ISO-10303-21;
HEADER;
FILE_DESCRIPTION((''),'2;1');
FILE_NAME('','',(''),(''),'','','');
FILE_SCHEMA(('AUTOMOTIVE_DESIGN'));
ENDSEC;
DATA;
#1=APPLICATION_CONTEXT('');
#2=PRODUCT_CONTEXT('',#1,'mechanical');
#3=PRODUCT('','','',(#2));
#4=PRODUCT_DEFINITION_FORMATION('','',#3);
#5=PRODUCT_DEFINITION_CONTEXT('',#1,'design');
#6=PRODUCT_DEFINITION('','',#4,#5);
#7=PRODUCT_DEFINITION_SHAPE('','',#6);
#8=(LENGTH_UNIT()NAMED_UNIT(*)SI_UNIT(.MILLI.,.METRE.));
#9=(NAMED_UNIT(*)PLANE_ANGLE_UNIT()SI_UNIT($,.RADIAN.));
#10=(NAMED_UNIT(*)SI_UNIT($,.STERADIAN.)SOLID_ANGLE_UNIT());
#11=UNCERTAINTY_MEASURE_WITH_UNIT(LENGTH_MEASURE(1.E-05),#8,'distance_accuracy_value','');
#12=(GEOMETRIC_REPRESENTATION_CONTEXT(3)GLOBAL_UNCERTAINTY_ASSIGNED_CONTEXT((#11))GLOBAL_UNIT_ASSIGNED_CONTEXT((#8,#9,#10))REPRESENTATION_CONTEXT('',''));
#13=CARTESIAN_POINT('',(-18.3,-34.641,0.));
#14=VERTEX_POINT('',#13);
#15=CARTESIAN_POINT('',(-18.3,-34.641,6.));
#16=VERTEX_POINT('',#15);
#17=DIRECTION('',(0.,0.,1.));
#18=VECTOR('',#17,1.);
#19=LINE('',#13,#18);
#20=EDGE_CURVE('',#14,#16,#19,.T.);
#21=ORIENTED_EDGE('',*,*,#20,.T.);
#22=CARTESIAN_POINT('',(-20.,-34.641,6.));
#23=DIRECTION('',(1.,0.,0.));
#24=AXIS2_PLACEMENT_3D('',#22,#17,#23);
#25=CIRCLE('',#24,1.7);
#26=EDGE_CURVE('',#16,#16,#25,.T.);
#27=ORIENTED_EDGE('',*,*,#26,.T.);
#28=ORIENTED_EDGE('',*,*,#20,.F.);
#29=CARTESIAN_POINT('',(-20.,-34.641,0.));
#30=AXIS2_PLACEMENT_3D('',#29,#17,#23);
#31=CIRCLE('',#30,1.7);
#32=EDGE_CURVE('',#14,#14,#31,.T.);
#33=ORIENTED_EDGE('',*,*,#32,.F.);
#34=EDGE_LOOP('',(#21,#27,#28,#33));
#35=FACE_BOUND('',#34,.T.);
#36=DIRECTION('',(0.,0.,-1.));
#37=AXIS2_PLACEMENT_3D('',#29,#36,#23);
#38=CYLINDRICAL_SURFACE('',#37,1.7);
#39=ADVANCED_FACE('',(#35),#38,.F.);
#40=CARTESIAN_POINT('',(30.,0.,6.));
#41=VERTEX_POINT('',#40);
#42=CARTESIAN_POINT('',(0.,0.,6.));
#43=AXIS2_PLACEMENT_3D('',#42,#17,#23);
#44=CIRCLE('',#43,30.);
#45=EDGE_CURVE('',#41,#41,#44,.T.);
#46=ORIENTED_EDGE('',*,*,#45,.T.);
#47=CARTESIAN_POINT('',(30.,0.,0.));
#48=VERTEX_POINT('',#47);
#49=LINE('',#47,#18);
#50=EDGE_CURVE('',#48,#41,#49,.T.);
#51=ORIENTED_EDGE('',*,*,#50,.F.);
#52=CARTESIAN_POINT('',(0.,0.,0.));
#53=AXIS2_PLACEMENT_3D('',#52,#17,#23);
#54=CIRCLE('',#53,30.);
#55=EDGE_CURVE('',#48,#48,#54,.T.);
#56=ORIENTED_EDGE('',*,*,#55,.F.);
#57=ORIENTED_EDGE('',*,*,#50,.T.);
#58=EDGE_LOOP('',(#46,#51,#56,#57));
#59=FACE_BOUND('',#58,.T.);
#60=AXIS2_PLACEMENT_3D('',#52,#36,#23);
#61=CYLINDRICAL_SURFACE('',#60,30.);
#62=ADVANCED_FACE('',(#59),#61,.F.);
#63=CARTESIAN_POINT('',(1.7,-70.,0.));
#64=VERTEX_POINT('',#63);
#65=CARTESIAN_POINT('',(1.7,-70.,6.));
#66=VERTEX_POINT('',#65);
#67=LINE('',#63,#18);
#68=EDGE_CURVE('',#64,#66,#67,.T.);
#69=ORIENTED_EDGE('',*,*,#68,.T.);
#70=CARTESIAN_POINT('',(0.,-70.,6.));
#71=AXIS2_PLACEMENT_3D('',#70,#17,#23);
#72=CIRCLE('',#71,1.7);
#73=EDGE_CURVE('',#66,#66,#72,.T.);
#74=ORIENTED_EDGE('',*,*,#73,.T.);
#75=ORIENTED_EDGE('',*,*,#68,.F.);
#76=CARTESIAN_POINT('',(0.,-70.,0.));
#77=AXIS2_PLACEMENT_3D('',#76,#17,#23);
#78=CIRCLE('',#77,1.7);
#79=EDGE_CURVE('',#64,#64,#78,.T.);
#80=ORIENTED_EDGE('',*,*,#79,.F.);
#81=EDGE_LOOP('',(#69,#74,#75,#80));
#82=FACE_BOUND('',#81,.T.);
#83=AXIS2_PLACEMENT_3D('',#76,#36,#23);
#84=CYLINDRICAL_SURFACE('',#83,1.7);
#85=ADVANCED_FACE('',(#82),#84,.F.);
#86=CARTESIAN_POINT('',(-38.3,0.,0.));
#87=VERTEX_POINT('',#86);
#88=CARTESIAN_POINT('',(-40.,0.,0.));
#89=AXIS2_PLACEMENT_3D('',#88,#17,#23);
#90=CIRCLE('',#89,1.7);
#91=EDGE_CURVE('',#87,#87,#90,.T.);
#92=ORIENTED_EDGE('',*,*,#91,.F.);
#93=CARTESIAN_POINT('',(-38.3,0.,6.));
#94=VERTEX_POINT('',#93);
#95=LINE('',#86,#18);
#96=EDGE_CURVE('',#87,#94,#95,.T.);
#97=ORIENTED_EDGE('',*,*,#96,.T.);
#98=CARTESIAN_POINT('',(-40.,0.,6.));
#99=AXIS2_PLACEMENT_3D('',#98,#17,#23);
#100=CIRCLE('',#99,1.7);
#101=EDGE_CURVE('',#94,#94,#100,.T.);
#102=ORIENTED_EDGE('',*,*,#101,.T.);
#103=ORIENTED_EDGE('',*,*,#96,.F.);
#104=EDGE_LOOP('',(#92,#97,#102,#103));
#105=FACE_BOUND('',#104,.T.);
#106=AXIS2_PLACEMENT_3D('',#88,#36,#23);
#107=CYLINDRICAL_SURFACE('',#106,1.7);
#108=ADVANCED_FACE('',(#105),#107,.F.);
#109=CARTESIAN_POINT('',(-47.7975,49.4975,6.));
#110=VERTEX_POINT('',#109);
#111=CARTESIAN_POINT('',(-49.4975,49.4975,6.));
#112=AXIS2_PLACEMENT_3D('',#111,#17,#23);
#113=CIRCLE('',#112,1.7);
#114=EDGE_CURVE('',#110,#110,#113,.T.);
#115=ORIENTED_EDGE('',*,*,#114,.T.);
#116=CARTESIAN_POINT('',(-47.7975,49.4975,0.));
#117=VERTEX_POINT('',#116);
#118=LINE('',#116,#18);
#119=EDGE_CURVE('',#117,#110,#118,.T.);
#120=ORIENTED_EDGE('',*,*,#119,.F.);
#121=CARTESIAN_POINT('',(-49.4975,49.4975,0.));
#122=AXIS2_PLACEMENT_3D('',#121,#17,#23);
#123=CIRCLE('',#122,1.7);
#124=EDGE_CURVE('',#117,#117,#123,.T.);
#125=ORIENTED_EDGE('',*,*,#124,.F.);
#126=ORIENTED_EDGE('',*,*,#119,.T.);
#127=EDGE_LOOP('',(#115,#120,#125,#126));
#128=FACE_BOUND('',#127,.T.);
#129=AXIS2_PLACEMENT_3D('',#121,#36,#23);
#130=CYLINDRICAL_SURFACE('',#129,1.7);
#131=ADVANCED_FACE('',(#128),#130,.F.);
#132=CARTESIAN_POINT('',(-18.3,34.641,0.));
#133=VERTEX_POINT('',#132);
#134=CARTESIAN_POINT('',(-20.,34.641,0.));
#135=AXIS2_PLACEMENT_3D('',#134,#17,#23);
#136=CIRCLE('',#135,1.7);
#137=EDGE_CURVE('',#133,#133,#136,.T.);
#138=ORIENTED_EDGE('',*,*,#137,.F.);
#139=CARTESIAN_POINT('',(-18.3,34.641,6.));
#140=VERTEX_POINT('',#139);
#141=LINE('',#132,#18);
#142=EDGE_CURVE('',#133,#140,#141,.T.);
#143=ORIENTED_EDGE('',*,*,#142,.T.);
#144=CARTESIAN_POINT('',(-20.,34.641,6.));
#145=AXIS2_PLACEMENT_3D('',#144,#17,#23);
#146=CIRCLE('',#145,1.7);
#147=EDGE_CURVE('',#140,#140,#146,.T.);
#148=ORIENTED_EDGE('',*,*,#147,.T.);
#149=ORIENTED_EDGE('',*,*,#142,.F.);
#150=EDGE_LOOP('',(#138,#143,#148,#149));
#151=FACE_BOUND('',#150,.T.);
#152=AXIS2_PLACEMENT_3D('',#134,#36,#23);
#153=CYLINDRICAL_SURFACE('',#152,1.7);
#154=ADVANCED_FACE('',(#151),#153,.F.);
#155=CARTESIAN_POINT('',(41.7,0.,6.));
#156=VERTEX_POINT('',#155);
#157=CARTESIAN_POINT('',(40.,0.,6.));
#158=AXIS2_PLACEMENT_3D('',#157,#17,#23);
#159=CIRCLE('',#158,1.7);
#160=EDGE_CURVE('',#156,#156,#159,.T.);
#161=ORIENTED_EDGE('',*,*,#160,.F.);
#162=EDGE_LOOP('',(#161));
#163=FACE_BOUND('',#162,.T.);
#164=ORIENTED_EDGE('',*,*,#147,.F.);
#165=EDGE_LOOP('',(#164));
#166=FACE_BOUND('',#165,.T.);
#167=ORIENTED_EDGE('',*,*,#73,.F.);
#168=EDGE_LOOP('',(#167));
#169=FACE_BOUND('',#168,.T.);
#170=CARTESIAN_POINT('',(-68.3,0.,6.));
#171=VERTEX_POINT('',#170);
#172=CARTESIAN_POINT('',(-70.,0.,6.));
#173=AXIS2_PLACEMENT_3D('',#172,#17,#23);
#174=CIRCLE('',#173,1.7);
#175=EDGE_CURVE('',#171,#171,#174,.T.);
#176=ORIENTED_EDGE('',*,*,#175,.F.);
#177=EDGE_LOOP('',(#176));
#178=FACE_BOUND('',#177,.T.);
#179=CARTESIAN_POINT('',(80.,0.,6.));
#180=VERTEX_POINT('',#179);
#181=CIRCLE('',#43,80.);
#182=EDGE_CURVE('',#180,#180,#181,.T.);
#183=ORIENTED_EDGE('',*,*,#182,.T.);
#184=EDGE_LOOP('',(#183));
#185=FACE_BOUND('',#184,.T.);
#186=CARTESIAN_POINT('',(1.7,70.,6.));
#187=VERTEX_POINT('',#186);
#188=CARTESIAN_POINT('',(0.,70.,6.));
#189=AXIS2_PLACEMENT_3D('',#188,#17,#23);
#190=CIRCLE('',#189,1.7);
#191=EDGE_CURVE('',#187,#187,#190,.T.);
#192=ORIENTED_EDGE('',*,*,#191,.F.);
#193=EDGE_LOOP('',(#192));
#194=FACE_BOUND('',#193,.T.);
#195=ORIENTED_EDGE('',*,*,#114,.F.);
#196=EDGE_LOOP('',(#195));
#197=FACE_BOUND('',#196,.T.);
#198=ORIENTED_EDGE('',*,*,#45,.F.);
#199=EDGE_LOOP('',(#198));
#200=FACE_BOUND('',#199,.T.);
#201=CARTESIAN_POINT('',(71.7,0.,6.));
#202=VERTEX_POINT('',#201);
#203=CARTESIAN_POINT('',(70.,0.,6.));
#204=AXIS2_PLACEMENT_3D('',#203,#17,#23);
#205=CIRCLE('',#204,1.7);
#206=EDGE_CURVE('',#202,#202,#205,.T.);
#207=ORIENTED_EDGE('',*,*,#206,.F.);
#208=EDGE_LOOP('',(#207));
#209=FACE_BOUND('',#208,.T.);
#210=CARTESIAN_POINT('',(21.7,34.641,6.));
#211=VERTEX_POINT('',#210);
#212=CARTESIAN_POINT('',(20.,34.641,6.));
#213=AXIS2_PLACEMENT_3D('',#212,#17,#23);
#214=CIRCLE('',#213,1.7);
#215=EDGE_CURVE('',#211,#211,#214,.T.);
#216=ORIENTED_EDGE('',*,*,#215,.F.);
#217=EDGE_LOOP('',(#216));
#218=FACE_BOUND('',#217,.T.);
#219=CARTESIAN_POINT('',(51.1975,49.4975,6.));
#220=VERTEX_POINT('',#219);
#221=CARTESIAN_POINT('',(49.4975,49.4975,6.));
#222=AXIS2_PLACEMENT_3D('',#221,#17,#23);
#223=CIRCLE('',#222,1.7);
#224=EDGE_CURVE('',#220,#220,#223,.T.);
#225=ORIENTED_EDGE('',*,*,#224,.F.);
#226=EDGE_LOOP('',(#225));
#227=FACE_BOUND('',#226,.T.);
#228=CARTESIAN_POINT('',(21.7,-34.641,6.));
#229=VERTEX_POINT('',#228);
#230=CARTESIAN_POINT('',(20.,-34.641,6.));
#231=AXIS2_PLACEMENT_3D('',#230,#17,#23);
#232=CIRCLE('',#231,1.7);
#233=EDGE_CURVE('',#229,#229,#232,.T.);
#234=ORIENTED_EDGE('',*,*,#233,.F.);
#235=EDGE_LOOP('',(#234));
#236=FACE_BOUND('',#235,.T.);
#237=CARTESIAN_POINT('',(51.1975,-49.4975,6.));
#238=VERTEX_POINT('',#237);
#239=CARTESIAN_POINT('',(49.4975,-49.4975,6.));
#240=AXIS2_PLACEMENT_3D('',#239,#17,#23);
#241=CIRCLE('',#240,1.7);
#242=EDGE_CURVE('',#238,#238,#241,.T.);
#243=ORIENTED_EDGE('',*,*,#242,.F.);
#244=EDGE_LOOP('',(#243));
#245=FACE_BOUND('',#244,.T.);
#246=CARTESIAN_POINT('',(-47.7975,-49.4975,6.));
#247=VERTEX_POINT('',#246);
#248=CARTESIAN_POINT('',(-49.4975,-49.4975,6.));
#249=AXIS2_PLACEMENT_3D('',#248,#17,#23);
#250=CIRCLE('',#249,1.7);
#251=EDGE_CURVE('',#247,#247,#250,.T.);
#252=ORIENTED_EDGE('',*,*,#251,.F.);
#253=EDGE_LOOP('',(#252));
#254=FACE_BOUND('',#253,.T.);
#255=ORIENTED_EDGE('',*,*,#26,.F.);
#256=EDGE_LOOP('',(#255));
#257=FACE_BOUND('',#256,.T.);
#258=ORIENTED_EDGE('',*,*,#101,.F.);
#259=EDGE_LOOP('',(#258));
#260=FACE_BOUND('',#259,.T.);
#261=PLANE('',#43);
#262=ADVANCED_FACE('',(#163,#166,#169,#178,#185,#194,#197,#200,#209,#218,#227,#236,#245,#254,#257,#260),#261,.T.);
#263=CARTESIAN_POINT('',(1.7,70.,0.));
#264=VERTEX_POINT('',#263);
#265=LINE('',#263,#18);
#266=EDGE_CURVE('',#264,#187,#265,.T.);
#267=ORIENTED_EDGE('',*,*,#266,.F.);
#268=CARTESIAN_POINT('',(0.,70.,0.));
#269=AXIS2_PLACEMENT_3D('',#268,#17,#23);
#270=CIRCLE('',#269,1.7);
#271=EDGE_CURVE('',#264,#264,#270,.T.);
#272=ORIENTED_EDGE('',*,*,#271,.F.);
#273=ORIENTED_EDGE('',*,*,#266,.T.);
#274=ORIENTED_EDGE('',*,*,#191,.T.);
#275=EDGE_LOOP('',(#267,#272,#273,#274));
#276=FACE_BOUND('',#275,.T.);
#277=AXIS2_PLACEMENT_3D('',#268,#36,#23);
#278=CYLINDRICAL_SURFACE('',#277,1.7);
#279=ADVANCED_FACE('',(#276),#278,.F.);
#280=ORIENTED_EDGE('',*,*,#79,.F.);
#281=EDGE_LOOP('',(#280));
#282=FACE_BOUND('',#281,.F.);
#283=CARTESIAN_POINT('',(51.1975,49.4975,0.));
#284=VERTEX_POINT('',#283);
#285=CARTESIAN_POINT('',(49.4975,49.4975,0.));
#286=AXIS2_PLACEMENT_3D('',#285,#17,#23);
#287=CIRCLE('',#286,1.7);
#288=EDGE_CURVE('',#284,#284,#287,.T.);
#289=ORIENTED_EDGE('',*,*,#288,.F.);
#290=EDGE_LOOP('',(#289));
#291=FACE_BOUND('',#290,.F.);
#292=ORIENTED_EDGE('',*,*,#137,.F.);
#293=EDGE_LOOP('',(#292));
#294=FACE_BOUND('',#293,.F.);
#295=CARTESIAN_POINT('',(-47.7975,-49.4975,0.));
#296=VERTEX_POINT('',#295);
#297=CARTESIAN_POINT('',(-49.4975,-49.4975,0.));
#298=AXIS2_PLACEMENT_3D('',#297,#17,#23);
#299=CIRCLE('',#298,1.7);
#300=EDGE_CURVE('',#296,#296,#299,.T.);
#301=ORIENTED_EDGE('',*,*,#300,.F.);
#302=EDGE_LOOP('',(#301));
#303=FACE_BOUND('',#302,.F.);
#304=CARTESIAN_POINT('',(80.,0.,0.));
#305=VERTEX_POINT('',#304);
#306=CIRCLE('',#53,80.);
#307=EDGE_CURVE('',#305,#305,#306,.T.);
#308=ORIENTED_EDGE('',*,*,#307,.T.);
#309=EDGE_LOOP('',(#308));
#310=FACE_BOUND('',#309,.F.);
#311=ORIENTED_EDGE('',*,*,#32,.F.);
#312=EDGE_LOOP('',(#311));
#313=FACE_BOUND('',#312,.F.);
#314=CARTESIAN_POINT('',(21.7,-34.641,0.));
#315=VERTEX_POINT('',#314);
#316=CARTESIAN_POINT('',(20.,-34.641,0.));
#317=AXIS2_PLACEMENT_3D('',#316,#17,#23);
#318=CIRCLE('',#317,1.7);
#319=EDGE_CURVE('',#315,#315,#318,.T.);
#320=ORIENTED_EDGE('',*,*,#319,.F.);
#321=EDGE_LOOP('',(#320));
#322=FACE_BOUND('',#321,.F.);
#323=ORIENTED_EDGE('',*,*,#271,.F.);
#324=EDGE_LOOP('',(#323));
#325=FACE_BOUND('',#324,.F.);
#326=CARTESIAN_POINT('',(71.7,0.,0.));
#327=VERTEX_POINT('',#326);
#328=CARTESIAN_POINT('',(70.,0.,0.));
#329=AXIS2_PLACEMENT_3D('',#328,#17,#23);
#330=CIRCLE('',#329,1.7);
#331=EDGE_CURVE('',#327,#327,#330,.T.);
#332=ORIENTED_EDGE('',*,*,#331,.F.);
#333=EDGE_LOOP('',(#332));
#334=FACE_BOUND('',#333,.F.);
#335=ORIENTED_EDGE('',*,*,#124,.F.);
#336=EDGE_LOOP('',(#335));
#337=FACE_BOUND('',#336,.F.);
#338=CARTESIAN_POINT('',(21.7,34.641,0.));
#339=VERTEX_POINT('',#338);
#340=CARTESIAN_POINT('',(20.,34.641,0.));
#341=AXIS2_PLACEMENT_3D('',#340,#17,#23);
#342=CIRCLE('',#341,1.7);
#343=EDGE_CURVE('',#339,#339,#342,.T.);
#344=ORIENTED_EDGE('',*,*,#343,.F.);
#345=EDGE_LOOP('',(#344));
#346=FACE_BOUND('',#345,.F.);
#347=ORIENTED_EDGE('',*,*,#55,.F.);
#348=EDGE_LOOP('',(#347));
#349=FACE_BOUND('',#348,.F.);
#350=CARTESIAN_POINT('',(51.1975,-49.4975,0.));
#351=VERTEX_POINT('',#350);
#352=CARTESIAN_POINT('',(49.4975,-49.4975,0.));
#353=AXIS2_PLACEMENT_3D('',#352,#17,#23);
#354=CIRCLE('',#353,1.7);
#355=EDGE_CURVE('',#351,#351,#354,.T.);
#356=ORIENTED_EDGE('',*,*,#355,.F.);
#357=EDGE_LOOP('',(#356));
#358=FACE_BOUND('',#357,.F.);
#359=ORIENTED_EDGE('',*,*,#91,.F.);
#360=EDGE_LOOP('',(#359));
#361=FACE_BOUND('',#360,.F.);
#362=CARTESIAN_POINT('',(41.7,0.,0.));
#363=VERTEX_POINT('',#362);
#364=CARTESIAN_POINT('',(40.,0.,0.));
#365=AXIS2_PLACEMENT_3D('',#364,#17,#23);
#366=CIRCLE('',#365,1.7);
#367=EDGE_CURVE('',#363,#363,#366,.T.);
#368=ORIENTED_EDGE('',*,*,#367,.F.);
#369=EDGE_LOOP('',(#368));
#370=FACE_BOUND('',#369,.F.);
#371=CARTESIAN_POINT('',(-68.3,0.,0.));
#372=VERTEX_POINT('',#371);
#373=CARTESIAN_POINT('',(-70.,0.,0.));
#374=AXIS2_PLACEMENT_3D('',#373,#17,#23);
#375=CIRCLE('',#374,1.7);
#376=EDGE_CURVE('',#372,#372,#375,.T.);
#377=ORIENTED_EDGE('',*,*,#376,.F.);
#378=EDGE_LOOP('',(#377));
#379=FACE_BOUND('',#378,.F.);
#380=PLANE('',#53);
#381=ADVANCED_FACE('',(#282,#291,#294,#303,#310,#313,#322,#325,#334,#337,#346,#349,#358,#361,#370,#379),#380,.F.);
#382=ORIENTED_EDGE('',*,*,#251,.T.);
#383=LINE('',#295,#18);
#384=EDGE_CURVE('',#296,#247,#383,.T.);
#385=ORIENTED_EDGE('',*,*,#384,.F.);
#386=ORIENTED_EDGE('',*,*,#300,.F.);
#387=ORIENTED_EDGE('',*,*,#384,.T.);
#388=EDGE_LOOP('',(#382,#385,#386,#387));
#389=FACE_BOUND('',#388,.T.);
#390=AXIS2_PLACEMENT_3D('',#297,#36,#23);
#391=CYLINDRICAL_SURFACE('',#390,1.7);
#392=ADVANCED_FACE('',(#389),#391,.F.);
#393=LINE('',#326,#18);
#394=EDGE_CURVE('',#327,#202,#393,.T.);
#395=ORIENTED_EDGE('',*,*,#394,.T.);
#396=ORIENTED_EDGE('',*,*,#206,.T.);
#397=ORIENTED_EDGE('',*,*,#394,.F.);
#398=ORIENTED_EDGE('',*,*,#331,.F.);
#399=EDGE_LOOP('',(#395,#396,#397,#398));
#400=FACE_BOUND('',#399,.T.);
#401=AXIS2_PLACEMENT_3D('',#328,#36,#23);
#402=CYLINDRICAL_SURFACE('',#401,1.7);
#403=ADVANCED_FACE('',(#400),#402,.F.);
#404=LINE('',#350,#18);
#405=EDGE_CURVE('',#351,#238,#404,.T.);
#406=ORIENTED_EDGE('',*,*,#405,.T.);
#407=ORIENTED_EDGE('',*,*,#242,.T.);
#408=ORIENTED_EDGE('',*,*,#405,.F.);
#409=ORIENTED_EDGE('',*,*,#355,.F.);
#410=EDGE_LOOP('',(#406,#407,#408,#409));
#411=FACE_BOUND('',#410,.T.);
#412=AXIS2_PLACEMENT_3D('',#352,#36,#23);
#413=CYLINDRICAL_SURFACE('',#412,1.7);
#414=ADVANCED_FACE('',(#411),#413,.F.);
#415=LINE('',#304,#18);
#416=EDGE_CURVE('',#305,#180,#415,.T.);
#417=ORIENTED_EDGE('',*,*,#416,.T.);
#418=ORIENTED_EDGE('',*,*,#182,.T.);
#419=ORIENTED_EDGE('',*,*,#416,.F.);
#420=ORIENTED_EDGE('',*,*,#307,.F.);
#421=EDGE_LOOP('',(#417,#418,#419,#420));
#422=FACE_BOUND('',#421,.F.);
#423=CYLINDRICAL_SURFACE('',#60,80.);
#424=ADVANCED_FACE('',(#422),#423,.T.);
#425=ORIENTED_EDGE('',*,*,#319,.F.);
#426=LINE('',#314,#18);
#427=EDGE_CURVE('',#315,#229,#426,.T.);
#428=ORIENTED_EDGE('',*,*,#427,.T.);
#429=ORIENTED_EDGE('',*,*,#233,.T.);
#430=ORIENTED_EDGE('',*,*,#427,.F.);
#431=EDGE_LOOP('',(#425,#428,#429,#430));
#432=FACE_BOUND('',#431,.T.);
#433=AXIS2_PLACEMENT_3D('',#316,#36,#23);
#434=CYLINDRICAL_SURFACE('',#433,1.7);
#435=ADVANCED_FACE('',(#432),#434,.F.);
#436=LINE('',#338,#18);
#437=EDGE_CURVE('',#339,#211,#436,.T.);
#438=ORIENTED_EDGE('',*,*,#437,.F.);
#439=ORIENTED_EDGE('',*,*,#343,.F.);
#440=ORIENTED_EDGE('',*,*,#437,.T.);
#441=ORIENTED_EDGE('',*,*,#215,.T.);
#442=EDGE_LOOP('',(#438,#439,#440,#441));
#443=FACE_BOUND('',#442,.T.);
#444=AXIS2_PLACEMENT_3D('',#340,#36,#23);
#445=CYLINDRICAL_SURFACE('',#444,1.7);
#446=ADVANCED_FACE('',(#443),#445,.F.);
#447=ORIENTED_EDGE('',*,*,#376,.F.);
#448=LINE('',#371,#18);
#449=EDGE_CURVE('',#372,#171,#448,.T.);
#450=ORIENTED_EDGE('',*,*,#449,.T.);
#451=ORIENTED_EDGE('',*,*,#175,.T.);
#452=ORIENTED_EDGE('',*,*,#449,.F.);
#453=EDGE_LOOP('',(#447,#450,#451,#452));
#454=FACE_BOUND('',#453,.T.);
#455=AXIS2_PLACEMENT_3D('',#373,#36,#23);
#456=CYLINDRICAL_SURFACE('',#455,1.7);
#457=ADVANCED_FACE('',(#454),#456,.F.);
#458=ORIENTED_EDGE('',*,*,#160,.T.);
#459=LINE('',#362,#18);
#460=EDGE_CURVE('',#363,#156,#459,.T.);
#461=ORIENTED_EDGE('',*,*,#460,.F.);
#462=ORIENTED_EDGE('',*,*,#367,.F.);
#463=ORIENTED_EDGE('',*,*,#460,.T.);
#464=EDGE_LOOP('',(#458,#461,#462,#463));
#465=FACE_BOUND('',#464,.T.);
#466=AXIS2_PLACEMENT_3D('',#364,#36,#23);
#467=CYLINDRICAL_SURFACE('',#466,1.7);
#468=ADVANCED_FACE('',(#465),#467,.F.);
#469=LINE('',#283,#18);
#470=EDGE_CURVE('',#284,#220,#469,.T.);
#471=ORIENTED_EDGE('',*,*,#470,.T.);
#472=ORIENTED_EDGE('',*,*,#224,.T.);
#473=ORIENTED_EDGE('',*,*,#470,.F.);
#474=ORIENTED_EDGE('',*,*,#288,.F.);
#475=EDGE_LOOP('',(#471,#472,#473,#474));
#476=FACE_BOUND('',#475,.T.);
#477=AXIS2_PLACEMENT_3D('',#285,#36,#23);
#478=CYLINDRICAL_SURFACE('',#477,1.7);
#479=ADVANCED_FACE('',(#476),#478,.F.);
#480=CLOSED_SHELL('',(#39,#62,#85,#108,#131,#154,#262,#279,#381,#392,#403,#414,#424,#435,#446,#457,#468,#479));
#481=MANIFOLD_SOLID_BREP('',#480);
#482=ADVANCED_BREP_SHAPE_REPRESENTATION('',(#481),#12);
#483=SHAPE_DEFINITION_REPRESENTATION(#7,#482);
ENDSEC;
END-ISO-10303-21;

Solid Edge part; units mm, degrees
sketch "Sketch1" plane through (0, 0, 0) normal (0, 0, 1) x (1, 0, 0)
  circle A0 centre (0, 0) radius 80
  circle A1 centre (0, 0) radius 30
  circle A2 centre (70, 0) radius 1.7
  circle A3 centre (49.4975, 49.4975) radius 1.7
  circle A4 centre (0, 70) radius 1.7
  circle A5 centre (-49.4975, 49.4975) radius 1.7
  circle A6 centre (-70, 0) radius 1.7
  circle A7 centre (-49.4975, -49.4975) radius 1.7
  circle A8 centre (0, -70) radius 1.7
  circle A9 centre (49.4975, -49.4975) radius 1.7
  circle A10 centre (40, 0) radius 1.7
  circle A11 centre (20, 34.641) radius 1.7
  circle A12 centre (-20, 34.641) radius 1.7
  circle A13 centre (-40, 0) radius 1.7
  circle A14 centre (-20, -34.641) radius 1.7
  circle A15 centre (20, -34.641) radius 1.7
extrude "Protrusion1" add sketch "Sketch1" along normal blind 6
